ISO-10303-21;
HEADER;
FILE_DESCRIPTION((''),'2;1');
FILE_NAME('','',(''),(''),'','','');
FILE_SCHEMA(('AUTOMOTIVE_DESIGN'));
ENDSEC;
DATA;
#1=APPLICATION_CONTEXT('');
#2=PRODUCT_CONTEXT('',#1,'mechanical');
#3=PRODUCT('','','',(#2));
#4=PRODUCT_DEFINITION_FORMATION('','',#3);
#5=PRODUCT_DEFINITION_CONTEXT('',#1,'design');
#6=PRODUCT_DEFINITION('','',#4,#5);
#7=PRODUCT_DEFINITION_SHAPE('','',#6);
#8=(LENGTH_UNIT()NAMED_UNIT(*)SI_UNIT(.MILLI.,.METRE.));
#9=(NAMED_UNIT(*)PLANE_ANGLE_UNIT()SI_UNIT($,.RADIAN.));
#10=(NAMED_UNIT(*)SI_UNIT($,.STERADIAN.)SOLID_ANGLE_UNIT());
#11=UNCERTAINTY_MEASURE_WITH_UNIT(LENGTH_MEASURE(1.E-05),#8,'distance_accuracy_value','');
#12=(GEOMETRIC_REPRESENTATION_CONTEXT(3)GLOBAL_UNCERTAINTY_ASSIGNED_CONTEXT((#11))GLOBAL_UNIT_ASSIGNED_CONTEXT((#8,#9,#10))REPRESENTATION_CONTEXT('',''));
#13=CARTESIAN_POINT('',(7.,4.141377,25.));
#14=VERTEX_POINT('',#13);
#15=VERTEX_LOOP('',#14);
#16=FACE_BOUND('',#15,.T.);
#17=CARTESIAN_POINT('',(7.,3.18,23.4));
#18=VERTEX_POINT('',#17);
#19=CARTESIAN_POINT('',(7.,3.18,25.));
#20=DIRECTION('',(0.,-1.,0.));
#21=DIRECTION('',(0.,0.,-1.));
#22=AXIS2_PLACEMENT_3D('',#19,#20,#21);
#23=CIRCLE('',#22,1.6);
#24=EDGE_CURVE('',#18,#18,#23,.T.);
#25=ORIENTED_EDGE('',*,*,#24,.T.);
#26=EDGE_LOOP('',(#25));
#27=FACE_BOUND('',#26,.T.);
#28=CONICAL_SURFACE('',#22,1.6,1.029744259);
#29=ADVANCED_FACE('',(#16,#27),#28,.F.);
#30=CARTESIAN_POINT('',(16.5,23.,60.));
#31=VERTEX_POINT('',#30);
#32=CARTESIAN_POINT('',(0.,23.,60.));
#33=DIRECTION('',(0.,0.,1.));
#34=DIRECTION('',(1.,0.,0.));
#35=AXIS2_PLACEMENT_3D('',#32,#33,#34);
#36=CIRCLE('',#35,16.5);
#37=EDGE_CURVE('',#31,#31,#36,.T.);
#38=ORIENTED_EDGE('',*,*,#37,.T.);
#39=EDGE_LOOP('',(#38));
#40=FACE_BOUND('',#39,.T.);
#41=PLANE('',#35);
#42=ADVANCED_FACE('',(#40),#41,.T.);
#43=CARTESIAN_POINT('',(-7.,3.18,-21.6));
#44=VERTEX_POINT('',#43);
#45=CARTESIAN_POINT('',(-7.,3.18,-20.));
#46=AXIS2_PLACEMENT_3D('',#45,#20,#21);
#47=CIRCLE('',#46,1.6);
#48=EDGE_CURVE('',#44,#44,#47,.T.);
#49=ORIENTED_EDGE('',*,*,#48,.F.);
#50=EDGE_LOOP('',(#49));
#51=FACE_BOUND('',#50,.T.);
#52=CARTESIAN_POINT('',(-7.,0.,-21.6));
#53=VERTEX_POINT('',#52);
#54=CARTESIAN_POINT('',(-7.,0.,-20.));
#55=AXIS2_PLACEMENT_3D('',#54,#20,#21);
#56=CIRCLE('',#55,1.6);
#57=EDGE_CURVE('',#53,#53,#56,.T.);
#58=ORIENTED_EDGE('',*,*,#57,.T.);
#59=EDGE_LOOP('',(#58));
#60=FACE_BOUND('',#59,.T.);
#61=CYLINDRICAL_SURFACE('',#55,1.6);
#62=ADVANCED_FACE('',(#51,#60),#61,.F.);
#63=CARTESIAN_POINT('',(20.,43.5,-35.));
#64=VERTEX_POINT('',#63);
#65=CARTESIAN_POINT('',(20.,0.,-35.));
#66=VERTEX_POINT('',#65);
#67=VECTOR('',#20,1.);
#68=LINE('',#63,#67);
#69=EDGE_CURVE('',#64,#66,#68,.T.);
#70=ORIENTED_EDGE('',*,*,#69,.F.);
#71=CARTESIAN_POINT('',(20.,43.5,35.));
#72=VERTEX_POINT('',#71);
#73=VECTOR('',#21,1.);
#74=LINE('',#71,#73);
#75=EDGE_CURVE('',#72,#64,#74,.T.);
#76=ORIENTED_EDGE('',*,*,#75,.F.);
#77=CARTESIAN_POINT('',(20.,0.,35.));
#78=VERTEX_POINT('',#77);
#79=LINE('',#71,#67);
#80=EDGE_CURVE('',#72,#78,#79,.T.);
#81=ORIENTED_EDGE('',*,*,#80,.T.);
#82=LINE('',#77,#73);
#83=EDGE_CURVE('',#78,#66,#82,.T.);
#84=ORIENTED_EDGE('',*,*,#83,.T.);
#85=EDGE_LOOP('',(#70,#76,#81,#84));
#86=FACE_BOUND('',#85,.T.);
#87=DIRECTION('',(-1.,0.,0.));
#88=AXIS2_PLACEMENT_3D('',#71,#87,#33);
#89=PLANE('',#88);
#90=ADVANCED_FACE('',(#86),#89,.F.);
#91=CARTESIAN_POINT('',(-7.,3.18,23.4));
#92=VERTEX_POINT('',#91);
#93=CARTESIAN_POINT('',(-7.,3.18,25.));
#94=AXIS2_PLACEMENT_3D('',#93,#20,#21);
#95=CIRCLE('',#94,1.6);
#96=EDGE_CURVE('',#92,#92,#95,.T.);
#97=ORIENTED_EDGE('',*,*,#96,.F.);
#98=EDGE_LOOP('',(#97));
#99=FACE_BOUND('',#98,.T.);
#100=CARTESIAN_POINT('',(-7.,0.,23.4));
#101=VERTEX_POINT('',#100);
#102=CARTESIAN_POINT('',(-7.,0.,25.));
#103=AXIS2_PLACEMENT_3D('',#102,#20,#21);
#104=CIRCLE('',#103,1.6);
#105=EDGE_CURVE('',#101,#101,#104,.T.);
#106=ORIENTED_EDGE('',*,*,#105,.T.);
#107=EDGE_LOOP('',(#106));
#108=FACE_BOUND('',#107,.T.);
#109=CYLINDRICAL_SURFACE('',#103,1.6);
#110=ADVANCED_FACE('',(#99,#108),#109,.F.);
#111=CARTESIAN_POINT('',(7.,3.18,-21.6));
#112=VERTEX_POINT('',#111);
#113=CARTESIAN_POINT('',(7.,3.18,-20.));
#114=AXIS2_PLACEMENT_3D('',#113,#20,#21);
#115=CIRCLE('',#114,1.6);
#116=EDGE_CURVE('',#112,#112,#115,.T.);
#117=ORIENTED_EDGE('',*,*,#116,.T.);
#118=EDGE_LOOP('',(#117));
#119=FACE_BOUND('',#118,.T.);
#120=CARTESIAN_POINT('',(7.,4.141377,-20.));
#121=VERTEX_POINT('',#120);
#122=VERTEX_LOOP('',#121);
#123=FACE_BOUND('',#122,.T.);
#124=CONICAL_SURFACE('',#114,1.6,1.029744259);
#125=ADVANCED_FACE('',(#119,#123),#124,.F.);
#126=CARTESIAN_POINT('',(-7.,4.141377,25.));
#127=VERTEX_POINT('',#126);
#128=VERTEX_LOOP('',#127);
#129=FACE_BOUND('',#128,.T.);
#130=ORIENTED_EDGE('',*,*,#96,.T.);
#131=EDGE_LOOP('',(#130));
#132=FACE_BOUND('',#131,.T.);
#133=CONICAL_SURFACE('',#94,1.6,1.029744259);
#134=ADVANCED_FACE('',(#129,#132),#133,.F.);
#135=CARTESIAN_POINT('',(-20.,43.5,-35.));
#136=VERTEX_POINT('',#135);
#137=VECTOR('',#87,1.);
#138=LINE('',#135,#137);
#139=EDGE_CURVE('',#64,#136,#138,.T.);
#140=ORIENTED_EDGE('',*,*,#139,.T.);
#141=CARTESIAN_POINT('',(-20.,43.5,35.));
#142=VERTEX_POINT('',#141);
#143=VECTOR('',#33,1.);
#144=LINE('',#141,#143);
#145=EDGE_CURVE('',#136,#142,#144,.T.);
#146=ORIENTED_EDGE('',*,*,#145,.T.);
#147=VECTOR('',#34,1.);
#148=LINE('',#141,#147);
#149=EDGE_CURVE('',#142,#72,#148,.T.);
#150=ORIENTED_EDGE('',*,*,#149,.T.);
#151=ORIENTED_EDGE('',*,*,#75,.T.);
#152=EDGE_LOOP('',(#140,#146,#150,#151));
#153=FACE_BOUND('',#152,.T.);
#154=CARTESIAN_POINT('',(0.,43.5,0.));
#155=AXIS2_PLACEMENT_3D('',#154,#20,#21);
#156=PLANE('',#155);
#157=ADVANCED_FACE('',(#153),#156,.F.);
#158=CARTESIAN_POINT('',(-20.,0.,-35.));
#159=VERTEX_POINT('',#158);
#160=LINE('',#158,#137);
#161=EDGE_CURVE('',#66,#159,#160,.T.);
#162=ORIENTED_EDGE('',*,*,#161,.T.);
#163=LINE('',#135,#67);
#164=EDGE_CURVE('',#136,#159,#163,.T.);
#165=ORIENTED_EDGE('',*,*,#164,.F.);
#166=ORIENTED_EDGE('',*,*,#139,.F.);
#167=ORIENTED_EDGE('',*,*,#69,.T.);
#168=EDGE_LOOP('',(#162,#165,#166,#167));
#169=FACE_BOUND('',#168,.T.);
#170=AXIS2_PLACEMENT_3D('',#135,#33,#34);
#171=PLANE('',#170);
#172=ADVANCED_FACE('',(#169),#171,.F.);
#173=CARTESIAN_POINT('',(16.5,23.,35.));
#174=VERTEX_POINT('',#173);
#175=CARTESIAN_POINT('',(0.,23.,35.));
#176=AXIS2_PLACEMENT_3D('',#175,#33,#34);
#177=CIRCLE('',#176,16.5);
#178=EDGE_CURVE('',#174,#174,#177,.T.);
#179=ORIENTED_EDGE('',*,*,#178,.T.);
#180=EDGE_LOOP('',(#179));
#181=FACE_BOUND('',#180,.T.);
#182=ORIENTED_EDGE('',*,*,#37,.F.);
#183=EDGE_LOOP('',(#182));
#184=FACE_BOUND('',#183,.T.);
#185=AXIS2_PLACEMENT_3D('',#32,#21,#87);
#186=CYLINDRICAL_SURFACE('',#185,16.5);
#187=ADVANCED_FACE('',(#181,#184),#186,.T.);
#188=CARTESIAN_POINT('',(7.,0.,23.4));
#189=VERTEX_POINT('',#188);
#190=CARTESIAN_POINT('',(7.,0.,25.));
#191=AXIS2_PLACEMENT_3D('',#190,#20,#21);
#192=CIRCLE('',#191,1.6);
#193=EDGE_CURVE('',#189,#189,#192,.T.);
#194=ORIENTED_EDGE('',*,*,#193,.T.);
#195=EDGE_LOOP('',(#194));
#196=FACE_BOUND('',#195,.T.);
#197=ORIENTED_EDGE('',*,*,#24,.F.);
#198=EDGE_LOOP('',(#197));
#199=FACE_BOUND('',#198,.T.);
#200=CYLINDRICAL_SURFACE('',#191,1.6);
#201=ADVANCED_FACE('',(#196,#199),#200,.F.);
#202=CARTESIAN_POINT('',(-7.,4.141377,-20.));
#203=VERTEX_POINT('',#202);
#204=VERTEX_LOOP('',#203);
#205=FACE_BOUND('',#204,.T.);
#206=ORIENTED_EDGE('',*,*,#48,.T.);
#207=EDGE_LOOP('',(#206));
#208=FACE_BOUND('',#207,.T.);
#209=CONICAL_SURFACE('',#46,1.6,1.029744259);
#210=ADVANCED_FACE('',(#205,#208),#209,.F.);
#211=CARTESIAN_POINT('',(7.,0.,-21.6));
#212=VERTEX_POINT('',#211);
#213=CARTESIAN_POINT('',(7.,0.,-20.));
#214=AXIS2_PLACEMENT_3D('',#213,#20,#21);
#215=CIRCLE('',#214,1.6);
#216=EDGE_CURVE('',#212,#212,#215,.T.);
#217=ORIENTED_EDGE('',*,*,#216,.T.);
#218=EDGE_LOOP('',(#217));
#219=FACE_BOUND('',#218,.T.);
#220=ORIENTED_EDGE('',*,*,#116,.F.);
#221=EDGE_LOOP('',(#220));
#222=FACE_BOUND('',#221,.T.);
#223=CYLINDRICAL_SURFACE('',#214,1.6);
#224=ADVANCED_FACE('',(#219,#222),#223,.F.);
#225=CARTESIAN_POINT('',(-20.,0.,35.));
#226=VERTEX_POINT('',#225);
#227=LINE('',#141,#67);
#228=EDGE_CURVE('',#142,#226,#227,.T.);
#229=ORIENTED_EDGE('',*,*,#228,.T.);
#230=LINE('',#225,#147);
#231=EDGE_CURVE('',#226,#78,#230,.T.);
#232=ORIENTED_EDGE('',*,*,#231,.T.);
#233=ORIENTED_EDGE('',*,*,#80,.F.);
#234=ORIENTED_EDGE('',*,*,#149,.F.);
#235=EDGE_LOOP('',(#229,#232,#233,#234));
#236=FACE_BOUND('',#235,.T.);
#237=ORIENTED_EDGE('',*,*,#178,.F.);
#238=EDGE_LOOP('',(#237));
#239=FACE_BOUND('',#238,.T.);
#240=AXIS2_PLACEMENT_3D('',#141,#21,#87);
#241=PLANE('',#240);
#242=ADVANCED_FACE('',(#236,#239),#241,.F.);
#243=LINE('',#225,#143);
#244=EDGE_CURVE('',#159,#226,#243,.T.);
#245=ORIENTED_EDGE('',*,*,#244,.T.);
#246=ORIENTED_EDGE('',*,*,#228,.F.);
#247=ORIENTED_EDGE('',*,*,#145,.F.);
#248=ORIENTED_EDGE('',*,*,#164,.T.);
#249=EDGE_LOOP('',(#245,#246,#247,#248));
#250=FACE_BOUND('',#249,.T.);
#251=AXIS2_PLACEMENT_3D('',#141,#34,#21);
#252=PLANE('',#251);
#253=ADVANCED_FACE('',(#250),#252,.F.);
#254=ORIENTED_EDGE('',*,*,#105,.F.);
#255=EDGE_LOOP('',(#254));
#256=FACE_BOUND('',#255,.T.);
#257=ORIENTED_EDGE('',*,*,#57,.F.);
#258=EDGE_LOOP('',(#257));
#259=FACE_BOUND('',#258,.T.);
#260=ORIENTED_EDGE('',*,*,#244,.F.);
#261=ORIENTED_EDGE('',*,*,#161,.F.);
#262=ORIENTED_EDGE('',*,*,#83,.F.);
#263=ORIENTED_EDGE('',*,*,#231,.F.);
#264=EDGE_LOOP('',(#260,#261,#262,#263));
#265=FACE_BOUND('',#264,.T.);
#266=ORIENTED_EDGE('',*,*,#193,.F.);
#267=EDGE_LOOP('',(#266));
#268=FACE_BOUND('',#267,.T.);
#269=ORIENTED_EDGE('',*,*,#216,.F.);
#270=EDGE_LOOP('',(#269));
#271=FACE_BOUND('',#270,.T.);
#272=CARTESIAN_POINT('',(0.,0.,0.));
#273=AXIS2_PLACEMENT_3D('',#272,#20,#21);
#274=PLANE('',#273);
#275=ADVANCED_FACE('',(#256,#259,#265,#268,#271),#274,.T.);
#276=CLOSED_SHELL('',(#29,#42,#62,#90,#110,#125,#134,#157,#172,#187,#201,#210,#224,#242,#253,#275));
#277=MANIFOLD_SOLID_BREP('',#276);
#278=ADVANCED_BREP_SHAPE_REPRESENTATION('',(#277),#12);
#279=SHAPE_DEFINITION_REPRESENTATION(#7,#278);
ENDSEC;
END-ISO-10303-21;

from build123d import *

# Parameters (mm, degrees)
SKETCH2_W                = 40
SKETCH2_H                = 70
BOSS_EXTRUDE1_DEPTH      = 43.5
SKETCH4_R                = 16.5
BOSS_EXTRUDE2_DEPTH      = 25
M3_CLEARANCE_HOLE1_D     = 3.2
M3_CLEARANCE_HOLE1_DEPTH = 3.18
M3_CLEARANCE_HOLE1_TIP   = 0.96137699


with BuildPart() as part:
    # Sketch2 → Boss-Extrude1 (new body)
    with BuildSketch(Plane(origin=(0, 0, 0), x_dir=(1, 0, 0), z_dir=(0, 1, 0))):
        Rectangle(SKETCH2_W, SKETCH2_H)
    extrude(amount=BOSS_EXTRUDE1_DEPTH)

    # Sketch4 → Boss-Extrude2 (add)
    with BuildSketch(Plane.XY.offset(35)):
        with Locations((0, 23)):
            Circle(SKETCH4_R)
    extrude(amount=BOSS_EXTRUDE2_DEPTH)

    # M3 Clearance Hole1
    with Locations(Plane(origin=(0, 0, 0), x_dir=(-1, 0, 0), z_dir=(0, -1, 0))):
        with Locations((-7, 20), (7, 20), (7, -25), (-7, -25)):
            Hole(M3_CLEARANCE_HOLE1_D / 2, depth=M3_CLEARANCE_HOLE1_DEPTH)
            with Locations((0, 0, -(M3_CLEARANCE_HOLE1_DEPTH + M3_CLEARANCE_HOLE1_TIP / 2))):  # 118° drill point
                Cone(0, M3_CLEARANCE_HOLE1_D / 2, M3_CLEARANCE_HOLE1_TIP, mode=Mode.SUBTRACT)


solid = part.part
